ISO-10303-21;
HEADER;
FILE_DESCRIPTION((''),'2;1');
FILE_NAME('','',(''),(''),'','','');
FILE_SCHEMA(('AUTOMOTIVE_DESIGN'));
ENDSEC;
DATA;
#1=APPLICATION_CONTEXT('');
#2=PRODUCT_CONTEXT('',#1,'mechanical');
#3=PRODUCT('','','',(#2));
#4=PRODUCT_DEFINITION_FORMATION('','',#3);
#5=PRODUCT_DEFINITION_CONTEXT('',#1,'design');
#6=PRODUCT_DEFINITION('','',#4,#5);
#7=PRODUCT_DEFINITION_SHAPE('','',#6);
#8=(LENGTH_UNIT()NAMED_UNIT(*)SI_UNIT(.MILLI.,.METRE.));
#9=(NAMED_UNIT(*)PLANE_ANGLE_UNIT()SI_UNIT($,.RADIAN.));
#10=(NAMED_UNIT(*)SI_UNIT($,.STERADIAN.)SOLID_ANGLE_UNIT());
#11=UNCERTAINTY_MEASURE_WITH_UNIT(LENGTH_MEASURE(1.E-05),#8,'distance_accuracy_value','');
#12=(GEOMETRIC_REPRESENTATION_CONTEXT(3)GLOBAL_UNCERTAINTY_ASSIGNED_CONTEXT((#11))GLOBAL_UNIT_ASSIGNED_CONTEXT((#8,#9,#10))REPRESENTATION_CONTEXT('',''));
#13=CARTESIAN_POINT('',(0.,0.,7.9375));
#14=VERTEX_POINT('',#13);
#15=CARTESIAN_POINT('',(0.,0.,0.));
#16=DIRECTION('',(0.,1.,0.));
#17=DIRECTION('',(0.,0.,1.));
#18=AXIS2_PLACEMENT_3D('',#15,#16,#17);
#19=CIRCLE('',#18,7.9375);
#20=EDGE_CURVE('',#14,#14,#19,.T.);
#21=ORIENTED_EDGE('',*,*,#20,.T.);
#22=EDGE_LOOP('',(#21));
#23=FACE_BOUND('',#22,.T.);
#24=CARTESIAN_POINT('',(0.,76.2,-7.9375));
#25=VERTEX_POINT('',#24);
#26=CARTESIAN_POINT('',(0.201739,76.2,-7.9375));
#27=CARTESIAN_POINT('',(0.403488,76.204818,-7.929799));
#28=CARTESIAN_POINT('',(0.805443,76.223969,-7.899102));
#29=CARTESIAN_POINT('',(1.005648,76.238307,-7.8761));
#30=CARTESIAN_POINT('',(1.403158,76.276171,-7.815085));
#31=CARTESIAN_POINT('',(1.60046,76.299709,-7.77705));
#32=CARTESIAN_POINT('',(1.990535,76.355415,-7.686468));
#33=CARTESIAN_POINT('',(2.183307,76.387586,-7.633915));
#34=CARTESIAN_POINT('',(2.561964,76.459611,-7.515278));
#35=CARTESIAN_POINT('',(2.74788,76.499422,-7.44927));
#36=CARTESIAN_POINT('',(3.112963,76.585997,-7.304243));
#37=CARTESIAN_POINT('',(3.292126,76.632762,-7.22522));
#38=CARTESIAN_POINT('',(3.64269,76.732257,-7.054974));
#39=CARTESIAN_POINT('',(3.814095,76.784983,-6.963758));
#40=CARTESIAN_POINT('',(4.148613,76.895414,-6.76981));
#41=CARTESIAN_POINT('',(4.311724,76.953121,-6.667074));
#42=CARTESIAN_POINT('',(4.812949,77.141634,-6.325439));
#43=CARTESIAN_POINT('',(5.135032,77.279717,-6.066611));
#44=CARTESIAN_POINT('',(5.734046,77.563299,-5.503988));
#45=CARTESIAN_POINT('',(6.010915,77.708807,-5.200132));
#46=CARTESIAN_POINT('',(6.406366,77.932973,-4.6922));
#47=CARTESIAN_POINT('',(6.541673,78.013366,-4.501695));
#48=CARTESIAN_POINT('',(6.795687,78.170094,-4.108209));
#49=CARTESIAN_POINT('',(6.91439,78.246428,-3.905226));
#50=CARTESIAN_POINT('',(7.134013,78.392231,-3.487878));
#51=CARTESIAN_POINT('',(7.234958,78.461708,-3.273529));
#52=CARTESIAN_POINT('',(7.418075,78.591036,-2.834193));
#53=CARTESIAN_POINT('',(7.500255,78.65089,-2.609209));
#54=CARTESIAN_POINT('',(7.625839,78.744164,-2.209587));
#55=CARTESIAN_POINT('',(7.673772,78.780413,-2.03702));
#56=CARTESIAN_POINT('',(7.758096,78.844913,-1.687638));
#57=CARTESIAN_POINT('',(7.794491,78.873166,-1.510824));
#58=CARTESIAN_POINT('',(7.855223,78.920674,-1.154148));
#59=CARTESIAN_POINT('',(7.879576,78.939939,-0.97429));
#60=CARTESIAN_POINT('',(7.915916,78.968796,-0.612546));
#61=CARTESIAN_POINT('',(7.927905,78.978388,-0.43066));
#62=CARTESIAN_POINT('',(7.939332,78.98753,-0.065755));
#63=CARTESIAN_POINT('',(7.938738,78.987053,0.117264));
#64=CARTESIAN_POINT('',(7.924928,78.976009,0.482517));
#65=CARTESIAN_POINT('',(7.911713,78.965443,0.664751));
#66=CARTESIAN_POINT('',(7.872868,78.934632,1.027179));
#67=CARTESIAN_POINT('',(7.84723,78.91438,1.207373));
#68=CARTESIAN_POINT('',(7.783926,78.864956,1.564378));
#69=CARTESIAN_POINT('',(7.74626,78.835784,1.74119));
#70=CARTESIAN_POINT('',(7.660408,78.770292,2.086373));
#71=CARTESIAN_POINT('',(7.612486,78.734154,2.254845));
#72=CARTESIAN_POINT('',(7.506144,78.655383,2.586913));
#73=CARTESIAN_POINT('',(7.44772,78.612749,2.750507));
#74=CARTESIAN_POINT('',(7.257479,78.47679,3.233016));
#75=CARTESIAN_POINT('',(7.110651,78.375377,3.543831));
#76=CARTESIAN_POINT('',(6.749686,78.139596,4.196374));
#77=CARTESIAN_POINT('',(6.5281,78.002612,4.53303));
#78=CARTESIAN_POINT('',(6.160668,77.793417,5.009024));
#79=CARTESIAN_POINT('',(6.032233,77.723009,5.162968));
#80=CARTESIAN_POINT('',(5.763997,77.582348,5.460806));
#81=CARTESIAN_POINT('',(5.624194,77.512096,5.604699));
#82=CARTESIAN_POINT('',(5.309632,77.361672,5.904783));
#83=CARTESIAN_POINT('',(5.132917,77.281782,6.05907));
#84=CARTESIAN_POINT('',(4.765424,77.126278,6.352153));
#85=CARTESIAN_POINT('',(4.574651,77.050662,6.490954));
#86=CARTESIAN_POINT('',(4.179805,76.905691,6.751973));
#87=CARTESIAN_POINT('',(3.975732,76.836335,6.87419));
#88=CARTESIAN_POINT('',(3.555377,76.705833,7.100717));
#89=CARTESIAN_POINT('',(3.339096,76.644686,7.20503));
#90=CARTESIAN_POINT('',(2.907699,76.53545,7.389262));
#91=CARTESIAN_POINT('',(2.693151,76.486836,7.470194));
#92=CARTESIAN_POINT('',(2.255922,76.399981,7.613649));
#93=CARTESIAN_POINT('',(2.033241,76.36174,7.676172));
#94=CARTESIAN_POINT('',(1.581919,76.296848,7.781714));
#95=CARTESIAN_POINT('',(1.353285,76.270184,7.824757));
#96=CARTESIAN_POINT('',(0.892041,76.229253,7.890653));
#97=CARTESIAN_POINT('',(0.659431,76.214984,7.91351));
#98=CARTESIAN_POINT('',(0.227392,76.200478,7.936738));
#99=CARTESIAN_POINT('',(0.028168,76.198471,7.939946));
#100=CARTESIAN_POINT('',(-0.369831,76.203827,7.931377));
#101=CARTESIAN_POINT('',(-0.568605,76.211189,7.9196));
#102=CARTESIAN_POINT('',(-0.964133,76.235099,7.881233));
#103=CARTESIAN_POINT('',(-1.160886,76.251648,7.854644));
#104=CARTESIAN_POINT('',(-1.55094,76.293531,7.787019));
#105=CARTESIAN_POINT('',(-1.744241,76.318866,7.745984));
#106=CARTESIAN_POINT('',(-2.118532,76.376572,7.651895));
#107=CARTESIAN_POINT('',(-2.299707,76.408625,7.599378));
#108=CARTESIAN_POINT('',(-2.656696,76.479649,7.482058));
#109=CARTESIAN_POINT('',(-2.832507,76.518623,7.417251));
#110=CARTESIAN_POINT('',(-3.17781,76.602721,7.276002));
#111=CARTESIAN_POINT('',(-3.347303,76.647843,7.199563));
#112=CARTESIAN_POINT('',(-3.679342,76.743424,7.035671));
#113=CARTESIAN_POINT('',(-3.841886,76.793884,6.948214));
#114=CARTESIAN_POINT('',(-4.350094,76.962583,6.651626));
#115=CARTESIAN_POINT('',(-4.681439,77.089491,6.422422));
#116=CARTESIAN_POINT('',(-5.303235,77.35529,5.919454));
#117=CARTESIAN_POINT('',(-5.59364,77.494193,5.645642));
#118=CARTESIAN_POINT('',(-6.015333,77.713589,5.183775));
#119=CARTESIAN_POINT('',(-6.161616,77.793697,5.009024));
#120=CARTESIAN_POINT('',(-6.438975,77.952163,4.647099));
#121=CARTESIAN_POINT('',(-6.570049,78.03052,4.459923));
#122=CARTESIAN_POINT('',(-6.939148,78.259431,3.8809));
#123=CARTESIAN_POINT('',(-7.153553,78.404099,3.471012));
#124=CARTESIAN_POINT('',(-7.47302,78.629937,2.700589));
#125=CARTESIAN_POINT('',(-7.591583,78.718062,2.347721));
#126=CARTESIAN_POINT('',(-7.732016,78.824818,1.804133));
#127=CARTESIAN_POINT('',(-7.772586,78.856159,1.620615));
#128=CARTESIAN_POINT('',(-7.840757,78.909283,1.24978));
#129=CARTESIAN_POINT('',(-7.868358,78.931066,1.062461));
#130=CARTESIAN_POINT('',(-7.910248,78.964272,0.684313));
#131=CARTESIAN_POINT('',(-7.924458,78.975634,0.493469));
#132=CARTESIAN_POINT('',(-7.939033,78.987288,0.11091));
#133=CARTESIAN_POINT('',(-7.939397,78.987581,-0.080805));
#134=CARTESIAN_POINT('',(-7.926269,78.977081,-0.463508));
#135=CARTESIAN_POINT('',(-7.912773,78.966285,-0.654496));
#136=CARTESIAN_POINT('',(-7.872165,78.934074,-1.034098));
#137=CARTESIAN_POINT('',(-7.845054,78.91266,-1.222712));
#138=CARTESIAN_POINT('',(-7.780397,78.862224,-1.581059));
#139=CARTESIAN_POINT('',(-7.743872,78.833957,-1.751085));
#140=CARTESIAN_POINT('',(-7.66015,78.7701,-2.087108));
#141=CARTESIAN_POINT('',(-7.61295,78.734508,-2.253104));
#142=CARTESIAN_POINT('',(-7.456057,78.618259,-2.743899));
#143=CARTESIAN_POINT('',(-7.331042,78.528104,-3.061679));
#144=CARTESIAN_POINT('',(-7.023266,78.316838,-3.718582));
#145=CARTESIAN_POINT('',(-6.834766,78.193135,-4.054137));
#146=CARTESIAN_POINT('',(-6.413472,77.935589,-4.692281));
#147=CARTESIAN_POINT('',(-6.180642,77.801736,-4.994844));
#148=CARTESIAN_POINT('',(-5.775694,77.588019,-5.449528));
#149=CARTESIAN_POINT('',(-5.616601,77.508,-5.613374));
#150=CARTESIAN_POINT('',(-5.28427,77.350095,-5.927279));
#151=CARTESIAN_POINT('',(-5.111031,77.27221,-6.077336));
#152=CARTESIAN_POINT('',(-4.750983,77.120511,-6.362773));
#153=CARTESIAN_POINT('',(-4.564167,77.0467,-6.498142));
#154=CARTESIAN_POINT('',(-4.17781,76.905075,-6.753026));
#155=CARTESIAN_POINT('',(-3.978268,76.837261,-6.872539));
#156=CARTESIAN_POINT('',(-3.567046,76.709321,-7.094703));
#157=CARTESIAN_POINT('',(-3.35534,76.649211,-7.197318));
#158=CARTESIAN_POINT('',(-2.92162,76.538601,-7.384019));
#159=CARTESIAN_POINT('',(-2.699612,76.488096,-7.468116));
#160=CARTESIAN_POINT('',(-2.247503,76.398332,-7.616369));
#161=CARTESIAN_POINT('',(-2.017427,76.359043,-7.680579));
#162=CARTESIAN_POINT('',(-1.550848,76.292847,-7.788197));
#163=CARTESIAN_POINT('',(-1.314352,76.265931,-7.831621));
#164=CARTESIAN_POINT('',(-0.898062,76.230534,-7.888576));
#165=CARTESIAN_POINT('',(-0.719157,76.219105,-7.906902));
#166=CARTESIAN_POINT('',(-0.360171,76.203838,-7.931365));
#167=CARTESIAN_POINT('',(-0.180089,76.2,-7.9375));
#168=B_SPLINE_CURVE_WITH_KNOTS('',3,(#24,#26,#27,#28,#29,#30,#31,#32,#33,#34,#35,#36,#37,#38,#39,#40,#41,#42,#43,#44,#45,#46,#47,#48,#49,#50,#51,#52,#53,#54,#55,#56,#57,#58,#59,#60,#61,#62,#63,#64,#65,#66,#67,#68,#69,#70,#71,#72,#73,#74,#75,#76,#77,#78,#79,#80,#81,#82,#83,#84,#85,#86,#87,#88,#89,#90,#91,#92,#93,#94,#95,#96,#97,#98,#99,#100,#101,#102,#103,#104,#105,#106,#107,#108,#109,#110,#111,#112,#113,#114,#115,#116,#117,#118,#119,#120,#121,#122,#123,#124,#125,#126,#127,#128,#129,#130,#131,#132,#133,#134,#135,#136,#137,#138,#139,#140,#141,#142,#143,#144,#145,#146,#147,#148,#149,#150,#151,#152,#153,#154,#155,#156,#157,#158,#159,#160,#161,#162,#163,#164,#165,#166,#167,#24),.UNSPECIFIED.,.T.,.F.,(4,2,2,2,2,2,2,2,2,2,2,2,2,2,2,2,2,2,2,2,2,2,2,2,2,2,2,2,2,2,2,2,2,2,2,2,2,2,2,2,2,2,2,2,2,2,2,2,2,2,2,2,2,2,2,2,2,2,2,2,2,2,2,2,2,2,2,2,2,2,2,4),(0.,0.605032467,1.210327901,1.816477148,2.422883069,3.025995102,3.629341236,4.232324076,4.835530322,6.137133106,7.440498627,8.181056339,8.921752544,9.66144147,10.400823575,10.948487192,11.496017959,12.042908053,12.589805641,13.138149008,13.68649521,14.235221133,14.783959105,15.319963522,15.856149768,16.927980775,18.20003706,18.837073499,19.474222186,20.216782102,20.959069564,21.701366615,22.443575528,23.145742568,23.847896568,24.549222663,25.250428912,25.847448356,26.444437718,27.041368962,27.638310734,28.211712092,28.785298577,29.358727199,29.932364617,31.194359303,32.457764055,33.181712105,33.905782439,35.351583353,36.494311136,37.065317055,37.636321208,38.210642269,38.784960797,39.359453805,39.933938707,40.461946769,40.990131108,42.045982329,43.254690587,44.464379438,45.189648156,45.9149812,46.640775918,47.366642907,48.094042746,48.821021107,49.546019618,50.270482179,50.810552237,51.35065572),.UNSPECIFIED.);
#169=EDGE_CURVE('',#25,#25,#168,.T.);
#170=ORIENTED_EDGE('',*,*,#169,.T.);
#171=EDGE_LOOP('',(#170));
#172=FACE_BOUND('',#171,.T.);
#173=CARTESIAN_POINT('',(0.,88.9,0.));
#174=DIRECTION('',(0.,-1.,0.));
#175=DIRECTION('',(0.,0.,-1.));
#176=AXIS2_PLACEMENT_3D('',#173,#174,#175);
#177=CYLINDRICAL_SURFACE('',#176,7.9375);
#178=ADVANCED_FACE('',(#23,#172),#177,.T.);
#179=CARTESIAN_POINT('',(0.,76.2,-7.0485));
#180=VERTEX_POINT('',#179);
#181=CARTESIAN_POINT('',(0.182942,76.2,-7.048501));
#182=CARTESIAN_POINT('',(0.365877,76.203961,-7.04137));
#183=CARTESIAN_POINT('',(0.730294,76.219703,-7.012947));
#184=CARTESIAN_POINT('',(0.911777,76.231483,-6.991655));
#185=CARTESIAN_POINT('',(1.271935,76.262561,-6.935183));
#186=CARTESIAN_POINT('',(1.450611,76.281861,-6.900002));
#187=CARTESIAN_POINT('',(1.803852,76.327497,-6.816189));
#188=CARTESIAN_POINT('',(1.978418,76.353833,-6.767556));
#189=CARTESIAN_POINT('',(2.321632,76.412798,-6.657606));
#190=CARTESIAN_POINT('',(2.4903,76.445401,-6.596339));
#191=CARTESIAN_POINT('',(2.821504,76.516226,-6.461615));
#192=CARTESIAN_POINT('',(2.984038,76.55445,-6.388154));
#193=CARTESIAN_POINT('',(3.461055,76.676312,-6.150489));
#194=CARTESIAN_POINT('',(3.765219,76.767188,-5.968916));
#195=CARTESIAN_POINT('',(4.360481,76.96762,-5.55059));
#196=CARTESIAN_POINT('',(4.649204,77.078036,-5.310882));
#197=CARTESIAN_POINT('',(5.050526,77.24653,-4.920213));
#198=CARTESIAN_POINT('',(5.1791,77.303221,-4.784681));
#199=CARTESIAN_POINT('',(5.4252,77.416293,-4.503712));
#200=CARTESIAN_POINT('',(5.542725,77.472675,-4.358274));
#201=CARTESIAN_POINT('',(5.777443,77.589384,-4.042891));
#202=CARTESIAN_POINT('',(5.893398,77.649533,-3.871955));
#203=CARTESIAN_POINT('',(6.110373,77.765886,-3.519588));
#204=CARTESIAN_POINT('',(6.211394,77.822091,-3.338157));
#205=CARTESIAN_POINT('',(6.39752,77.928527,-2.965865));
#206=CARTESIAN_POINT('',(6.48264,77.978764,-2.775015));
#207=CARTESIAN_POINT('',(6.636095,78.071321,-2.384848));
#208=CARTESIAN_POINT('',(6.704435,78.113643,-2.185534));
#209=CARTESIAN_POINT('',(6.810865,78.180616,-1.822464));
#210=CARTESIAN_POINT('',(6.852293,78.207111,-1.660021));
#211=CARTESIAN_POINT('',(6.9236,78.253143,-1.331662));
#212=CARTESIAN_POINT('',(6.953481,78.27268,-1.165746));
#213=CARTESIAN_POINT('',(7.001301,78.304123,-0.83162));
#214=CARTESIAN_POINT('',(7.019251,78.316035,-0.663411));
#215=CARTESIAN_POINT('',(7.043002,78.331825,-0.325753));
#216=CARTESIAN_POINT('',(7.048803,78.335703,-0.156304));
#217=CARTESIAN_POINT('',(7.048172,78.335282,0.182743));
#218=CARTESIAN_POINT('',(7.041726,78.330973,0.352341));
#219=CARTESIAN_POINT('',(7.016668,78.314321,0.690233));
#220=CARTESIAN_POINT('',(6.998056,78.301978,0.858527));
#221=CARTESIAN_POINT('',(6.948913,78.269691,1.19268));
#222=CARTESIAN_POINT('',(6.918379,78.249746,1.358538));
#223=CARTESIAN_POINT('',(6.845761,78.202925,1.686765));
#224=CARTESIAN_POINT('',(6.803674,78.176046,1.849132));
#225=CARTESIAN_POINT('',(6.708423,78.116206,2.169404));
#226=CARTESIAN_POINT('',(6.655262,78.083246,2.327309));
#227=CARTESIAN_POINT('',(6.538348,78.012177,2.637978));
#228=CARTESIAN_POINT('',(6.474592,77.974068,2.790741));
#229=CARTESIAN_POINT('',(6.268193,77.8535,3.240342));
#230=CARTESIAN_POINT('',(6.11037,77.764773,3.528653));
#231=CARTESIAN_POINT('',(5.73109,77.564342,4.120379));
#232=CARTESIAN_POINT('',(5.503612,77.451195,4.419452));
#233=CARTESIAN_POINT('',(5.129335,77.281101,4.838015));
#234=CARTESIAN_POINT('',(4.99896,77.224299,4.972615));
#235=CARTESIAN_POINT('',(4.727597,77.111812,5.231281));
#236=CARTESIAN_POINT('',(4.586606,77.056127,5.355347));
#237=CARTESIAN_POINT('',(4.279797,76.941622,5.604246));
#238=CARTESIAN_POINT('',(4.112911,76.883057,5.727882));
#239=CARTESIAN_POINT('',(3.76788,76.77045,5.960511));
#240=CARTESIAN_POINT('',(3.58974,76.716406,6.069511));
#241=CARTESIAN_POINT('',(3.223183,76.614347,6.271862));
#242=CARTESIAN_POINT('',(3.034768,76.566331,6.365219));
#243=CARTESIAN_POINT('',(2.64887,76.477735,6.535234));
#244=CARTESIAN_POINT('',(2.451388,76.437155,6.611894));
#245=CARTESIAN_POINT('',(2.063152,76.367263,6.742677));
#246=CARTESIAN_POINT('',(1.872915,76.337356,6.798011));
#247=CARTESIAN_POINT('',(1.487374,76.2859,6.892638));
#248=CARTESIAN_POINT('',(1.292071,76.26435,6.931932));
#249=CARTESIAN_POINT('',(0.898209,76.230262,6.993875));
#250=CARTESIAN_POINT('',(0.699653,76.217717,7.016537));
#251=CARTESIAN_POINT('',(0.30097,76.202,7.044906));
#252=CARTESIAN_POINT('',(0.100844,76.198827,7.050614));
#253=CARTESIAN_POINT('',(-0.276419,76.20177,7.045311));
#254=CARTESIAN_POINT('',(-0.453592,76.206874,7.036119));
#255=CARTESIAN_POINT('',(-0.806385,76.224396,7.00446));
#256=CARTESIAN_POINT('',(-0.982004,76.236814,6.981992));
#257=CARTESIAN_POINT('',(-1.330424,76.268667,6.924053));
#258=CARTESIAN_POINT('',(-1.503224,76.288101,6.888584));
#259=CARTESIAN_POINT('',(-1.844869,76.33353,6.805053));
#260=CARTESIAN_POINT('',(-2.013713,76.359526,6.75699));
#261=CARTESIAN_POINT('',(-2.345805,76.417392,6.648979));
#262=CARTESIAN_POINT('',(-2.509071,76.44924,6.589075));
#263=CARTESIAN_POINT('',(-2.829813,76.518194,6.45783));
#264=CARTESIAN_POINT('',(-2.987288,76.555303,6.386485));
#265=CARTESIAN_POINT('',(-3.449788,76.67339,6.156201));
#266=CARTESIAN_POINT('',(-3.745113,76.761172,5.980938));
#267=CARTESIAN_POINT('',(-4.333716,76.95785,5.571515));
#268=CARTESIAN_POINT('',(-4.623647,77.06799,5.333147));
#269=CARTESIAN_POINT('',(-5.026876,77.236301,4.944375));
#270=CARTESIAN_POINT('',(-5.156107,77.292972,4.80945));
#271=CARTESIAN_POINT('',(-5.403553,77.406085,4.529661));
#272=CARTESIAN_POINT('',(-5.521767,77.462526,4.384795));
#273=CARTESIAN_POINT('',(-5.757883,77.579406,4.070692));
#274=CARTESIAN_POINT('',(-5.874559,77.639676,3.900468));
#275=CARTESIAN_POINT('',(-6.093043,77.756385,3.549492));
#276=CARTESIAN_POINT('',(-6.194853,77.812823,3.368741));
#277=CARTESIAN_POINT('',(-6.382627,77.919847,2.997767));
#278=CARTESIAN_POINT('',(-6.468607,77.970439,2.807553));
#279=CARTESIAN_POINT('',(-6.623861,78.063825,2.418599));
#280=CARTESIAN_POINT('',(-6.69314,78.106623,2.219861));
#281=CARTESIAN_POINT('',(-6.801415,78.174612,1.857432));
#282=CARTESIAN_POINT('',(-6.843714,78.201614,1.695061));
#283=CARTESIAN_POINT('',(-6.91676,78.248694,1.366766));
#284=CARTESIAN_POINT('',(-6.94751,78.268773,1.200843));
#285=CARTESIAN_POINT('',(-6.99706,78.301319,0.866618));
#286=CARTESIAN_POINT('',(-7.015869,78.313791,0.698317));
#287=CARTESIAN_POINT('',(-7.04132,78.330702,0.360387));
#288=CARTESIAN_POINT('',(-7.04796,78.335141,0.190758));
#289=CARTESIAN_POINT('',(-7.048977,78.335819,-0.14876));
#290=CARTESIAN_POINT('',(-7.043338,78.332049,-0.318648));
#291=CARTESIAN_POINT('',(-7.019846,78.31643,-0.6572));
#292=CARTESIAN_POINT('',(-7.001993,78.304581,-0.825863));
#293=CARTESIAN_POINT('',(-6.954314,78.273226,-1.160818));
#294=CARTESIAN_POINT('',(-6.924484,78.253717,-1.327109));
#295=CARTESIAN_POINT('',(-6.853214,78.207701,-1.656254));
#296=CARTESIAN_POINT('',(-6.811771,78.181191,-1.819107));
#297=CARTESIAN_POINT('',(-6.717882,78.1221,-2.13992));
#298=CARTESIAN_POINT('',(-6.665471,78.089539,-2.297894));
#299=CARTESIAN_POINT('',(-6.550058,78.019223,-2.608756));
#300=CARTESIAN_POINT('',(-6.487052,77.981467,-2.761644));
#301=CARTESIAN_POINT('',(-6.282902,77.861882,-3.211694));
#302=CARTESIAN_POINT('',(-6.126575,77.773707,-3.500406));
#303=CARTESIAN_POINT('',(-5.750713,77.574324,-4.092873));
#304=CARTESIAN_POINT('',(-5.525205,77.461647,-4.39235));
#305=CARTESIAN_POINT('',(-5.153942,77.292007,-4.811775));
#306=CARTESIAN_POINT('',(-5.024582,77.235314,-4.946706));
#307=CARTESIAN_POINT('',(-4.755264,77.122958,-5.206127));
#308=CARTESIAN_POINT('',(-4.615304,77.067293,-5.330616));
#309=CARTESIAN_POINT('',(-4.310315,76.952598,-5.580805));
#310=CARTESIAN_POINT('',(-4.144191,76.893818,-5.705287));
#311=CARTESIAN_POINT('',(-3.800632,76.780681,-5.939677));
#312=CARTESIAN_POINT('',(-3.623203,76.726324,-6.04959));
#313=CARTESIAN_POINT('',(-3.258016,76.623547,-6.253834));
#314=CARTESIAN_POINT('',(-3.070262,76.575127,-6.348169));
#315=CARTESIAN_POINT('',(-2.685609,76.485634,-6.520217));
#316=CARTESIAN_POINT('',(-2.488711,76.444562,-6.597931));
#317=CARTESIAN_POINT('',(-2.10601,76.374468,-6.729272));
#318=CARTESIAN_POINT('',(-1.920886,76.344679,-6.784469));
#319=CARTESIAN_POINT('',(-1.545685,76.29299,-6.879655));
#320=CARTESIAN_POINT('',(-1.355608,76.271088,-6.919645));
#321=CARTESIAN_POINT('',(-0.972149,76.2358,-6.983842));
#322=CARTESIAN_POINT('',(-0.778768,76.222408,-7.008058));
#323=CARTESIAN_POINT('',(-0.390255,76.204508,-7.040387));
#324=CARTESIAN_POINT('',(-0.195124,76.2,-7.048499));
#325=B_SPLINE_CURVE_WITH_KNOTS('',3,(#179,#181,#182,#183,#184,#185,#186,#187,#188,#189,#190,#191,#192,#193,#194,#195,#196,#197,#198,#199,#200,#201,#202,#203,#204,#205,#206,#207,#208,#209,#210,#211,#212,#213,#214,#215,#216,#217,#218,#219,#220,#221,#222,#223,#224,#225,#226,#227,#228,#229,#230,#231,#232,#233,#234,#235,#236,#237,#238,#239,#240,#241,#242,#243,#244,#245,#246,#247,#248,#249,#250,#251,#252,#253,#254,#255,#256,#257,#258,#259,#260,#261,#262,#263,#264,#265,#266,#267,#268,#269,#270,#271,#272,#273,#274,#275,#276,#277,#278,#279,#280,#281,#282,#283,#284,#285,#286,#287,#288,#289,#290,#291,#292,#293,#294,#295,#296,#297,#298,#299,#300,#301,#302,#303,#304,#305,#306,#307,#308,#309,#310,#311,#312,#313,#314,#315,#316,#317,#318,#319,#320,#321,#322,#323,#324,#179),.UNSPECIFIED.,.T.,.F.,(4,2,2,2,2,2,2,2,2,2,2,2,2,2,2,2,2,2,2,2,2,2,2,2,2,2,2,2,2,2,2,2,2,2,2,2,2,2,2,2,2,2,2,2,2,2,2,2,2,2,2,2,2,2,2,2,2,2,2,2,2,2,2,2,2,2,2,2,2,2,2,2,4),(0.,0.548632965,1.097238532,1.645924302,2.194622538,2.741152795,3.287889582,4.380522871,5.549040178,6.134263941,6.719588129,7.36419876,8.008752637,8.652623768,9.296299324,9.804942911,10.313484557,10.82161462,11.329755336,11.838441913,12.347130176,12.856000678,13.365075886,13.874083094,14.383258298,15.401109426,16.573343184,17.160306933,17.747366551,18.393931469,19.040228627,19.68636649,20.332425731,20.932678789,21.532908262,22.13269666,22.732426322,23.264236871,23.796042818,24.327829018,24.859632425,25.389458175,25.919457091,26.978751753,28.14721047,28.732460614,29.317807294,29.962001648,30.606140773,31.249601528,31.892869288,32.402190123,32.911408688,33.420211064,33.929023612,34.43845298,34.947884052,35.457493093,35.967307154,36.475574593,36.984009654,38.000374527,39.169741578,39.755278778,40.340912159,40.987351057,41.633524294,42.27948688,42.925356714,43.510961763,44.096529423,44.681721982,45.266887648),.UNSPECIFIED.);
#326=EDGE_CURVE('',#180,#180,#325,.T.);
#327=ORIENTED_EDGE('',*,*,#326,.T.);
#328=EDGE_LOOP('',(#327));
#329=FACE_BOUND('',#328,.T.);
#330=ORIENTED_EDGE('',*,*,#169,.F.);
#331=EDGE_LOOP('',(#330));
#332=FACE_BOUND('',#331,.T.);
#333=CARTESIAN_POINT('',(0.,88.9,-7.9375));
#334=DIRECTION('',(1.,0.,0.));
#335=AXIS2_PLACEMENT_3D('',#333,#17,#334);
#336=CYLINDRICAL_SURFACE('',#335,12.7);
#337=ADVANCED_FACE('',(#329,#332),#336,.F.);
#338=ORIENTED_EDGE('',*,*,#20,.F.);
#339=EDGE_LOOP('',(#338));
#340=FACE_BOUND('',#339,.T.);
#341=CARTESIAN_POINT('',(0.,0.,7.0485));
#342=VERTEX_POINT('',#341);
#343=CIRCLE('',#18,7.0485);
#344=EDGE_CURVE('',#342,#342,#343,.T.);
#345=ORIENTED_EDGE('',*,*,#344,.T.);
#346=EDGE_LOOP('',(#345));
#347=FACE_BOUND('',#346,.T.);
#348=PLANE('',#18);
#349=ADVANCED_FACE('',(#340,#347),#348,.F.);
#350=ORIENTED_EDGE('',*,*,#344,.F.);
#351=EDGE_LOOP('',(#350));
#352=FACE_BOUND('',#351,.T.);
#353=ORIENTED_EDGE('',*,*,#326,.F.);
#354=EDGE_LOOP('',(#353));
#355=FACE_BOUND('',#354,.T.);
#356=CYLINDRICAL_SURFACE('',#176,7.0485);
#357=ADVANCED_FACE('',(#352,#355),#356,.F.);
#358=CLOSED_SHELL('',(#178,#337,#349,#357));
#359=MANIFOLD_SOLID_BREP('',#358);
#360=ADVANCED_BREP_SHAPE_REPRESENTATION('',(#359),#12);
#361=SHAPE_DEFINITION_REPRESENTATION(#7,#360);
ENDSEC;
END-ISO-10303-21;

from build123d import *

# Parameters (mm, degrees)
SKETCH1_R               = 7.9375
SKETCH1_R_2             = 7.0485
BOSS_EXTRUDE1_DEPTH     = 88.9
SKETCH2_R               = 12.7
CUT_EXTRUDE1_DEPTH      = 8.9375
CUT_EXTRUDE1_DEPTH_BACK = 8.9375


with BuildPart() as part:
    # Sketch1 → Boss-Extrude1 (new body)
    with BuildSketch(Plane(origin=(0, 0, 0), x_dir=(1, 0, 0), z_dir=(0, 1, 0))):
        Circle(SKETCH1_R)
        Circle(SKETCH1_R_2, mode=Mode.SUBTRACT)
    extrude(amount=BOSS_EXTRUDE1_DEPTH)

    # Sketch2 → Cut-Extrude1 (cut, two sides)
    with BuildSketch(Plane.XY) as cut_extrude1_sk:
        with Locations((0, 88.9)):
            Circle(SKETCH2_R)
    extrude(amount=CUT_EXTRUDE1_DEPTH, mode=Mode.SUBTRACT)
    extrude(cut_extrude1_sk.sketch, amount=-CUT_EXTRUDE1_DEPTH_BACK, mode=Mode.SUBTRACT)


solid = part.part
